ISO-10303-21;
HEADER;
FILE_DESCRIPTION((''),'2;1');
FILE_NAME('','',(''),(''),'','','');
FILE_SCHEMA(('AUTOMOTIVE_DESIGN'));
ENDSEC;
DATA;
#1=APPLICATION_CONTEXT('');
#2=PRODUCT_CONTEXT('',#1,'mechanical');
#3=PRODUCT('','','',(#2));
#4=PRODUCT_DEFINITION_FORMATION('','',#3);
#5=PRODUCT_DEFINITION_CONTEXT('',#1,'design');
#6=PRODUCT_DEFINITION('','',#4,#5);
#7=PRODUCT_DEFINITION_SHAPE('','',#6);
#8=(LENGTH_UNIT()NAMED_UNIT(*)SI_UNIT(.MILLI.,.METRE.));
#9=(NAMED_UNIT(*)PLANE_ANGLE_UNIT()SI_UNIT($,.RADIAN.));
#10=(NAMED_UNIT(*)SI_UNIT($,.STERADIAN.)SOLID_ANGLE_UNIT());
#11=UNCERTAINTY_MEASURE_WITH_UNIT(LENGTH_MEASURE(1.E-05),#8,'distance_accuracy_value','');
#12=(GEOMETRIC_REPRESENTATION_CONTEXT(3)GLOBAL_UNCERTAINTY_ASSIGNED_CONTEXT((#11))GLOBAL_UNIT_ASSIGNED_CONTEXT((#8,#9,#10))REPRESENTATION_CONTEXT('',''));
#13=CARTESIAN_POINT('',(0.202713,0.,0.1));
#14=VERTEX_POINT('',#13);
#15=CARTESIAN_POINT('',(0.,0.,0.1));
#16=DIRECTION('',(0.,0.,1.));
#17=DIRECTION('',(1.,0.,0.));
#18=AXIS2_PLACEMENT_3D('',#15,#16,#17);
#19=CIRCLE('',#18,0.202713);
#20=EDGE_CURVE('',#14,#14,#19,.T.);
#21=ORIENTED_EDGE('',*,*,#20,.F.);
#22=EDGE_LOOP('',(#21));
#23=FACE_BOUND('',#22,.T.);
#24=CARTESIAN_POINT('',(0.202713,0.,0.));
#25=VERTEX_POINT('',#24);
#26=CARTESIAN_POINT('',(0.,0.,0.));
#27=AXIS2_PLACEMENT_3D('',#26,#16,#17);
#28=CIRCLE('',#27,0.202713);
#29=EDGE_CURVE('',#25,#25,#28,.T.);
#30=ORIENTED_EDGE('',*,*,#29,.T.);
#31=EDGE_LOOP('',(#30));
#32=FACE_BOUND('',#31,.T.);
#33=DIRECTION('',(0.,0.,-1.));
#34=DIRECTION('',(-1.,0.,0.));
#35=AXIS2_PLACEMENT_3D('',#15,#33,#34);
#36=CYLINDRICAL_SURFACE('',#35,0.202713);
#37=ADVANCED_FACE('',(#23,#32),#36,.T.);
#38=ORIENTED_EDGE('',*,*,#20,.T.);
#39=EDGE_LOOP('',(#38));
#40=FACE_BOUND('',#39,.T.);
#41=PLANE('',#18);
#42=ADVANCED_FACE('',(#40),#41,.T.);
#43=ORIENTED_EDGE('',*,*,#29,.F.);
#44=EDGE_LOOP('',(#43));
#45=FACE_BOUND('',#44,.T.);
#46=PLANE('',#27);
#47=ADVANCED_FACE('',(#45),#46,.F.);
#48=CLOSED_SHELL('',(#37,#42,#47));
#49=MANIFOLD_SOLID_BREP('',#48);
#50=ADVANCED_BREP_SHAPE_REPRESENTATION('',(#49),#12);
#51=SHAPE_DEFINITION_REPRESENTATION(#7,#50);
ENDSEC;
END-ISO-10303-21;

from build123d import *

# Parameters (mm, degrees)
SKETCH_1_R      = 0.202712715
EXTRUDE_1_DEPTH = 0.1


with BuildPart() as part:
    # ｽｹｯﾁ1 → ﾎﾞｽ - 押し出し1 (new body)
    with BuildSketch(Plane.XY):
        Circle(SKETCH_1_R)
    extrude(amount=EXTRUDE_1_DEPTH)


solid = part.part
